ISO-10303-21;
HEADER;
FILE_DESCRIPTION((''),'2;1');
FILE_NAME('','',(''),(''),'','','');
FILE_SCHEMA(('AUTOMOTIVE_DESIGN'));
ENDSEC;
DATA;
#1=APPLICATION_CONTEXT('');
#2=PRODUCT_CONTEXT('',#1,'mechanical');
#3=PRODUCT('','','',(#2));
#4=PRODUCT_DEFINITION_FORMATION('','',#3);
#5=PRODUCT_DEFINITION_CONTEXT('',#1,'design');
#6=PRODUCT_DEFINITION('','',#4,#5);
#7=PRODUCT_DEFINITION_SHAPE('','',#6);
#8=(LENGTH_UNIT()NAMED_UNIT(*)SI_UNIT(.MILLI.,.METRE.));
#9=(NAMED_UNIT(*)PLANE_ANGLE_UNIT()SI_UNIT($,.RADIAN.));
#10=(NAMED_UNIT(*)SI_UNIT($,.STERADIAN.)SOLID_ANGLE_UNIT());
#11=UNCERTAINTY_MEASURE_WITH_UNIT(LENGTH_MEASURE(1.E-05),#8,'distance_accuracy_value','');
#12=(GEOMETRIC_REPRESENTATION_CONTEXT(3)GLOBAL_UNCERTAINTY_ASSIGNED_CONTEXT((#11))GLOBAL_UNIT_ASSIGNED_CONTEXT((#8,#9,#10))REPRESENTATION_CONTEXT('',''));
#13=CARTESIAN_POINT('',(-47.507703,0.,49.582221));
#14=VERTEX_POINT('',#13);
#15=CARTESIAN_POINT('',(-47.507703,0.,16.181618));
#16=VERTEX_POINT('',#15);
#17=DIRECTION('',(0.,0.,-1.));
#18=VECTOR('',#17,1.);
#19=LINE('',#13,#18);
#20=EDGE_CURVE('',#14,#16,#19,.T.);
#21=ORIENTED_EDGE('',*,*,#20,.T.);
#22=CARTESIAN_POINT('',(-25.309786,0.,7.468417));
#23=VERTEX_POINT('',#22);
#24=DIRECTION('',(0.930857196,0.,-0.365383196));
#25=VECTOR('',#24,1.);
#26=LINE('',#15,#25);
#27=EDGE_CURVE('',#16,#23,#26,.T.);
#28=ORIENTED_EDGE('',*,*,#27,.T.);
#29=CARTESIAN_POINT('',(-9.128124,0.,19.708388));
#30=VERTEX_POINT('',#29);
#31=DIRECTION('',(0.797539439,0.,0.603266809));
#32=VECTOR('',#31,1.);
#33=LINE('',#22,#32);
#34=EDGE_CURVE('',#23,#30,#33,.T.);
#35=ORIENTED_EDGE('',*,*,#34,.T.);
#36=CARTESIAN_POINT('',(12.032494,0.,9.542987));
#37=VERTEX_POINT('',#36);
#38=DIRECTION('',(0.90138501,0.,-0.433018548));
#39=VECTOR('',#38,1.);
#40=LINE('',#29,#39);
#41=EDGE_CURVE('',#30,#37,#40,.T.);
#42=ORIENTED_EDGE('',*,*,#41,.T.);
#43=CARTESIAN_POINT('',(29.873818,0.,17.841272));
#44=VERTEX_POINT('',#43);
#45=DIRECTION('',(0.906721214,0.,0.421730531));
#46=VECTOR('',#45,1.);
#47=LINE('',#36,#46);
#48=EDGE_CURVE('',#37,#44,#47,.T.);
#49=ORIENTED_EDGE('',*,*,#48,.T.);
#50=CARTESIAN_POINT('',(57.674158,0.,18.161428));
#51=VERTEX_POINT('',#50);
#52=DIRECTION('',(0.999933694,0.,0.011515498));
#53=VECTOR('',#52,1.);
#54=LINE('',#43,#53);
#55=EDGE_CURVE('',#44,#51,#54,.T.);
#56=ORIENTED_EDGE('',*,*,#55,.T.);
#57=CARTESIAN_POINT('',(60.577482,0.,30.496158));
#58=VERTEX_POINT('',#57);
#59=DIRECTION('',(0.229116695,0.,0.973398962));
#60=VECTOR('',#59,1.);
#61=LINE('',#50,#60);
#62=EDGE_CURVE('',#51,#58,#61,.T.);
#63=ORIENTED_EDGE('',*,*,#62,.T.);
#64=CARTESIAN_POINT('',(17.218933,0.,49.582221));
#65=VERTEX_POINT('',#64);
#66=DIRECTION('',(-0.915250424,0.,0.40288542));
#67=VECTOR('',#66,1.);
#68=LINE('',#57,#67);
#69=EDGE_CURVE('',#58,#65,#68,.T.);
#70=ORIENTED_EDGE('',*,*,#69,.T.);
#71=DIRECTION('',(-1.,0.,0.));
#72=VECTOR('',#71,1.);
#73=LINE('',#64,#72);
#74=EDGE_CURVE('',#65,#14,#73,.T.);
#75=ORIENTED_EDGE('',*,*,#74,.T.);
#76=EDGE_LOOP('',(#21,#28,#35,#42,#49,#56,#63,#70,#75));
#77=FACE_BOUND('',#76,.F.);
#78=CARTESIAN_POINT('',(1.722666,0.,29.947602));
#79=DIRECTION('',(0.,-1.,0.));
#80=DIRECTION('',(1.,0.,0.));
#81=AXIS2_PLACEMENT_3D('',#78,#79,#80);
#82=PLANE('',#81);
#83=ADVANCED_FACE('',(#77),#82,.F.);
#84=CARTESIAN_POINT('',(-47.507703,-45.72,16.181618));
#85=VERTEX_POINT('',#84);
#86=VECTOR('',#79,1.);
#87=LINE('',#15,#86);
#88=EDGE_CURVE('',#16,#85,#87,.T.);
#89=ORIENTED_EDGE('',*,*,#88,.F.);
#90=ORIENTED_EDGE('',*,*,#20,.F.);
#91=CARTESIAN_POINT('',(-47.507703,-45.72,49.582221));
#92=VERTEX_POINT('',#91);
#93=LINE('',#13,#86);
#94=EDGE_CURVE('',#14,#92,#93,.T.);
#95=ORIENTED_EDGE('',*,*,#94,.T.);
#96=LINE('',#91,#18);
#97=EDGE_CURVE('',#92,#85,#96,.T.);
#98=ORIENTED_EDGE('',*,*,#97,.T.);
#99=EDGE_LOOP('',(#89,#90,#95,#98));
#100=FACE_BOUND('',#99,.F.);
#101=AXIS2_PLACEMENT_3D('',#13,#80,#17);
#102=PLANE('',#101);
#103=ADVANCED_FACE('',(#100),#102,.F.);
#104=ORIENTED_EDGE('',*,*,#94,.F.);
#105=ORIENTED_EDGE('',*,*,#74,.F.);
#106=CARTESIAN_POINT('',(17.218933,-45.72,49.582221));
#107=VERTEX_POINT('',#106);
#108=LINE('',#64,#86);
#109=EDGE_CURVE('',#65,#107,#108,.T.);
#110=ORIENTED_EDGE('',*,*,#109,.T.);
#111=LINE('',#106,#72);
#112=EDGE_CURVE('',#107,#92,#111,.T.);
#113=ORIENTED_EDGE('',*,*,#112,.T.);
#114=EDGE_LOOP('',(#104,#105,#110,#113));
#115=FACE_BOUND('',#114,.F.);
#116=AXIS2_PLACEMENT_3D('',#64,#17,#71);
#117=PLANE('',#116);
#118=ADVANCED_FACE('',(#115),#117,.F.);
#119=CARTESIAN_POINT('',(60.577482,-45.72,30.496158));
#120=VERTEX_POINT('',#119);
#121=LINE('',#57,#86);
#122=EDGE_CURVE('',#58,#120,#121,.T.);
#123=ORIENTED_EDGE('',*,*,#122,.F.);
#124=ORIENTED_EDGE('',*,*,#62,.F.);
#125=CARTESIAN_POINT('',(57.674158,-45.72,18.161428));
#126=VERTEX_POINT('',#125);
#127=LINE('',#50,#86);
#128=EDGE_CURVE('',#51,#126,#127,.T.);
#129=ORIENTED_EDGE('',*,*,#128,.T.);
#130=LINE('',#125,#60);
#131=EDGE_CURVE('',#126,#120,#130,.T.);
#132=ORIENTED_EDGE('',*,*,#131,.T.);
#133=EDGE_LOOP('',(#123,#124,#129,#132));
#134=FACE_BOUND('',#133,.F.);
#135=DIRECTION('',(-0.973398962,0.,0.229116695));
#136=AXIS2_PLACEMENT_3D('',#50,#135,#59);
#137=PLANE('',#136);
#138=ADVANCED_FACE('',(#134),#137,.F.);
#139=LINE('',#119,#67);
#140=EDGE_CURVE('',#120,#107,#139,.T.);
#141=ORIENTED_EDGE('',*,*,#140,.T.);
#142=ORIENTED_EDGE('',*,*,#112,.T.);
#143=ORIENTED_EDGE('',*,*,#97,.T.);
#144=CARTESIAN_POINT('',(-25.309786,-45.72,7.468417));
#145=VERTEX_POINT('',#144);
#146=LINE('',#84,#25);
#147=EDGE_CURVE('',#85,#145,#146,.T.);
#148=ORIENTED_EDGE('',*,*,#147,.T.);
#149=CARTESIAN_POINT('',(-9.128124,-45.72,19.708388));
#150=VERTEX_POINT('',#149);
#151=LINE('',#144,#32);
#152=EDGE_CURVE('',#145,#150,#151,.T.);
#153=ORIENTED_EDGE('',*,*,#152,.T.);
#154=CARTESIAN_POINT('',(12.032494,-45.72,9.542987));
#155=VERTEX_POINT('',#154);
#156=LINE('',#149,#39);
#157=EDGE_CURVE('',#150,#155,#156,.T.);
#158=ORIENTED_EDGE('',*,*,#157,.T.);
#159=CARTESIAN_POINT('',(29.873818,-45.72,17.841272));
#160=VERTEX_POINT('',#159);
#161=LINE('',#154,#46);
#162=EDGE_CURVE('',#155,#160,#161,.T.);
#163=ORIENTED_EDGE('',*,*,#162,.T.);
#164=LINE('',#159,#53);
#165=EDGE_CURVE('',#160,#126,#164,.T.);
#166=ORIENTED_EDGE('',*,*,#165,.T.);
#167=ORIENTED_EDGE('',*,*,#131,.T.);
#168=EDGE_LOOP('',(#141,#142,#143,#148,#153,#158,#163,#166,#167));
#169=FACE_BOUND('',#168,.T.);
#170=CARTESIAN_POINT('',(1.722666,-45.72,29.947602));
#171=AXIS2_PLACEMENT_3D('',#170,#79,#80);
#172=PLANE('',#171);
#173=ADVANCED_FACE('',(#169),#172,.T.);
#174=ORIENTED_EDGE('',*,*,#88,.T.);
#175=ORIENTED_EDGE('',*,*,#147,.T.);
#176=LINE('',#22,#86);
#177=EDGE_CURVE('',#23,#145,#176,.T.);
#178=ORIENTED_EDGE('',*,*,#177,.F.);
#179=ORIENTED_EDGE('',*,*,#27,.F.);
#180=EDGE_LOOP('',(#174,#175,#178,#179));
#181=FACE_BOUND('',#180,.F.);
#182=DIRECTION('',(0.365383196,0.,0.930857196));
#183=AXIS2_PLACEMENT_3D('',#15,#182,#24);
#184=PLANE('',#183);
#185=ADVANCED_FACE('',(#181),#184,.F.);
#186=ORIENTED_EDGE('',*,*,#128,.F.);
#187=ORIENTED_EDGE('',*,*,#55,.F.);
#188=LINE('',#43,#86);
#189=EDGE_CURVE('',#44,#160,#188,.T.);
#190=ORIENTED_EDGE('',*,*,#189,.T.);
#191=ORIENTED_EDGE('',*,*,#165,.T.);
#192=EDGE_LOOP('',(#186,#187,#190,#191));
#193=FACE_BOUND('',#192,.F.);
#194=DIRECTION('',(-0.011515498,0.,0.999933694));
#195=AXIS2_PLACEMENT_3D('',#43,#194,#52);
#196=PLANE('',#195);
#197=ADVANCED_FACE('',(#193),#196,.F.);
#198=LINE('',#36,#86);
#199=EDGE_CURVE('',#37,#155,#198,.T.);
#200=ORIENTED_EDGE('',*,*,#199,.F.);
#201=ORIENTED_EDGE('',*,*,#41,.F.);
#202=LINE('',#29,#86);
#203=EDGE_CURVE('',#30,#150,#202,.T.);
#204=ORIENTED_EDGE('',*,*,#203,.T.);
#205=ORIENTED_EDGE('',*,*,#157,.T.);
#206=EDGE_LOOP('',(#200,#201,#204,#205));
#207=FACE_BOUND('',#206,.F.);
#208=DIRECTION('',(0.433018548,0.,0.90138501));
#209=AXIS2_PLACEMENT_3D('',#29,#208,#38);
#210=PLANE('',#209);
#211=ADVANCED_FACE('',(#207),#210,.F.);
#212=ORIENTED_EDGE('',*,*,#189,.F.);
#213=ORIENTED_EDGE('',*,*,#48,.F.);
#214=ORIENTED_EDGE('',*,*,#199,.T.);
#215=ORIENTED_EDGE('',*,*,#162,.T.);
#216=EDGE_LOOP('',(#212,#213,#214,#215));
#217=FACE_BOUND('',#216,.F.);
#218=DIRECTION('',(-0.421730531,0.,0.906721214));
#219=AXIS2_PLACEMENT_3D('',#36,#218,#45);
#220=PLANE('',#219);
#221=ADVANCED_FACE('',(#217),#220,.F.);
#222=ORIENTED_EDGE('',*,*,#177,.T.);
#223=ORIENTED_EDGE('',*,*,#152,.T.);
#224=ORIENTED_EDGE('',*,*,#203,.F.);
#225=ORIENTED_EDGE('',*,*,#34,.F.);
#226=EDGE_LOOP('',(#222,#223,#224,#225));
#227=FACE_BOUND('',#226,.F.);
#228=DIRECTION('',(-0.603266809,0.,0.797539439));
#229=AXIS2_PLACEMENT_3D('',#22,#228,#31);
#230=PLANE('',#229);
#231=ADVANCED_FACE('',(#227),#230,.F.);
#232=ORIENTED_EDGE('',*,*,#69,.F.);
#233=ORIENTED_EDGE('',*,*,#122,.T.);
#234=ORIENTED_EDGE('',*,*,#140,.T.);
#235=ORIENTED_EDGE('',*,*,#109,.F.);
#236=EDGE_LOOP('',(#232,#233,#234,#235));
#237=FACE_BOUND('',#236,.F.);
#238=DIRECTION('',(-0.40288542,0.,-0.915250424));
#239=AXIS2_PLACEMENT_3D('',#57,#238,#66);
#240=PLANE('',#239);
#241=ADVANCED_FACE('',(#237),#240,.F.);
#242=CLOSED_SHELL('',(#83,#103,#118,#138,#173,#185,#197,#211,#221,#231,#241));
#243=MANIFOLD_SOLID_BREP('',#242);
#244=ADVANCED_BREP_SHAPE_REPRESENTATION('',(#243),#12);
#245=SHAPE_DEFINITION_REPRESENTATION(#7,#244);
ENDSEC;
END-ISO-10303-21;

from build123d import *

# Parameters (mm, degrees)
F1_DEPTH = 45.72


with BuildPart() as f1:
    # F0 (on Front) → F1 (new body)
    with BuildSketch(Plane.XZ):
        Polygon((57.674158, 18.161428), (60.577482, 30.496158), (17.218933, 49.582221), (-47.507703, 49.582221), (-47.507703, 29.251419), (-47.507703, 16.181618), (-25.309786, 7.468417), (-9.128124, 19.708388), (12.032494, 9.542987), (29.873818, 17.841272), align=None)
    extrude(amount=F1_DEPTH)


solid = f1.part
